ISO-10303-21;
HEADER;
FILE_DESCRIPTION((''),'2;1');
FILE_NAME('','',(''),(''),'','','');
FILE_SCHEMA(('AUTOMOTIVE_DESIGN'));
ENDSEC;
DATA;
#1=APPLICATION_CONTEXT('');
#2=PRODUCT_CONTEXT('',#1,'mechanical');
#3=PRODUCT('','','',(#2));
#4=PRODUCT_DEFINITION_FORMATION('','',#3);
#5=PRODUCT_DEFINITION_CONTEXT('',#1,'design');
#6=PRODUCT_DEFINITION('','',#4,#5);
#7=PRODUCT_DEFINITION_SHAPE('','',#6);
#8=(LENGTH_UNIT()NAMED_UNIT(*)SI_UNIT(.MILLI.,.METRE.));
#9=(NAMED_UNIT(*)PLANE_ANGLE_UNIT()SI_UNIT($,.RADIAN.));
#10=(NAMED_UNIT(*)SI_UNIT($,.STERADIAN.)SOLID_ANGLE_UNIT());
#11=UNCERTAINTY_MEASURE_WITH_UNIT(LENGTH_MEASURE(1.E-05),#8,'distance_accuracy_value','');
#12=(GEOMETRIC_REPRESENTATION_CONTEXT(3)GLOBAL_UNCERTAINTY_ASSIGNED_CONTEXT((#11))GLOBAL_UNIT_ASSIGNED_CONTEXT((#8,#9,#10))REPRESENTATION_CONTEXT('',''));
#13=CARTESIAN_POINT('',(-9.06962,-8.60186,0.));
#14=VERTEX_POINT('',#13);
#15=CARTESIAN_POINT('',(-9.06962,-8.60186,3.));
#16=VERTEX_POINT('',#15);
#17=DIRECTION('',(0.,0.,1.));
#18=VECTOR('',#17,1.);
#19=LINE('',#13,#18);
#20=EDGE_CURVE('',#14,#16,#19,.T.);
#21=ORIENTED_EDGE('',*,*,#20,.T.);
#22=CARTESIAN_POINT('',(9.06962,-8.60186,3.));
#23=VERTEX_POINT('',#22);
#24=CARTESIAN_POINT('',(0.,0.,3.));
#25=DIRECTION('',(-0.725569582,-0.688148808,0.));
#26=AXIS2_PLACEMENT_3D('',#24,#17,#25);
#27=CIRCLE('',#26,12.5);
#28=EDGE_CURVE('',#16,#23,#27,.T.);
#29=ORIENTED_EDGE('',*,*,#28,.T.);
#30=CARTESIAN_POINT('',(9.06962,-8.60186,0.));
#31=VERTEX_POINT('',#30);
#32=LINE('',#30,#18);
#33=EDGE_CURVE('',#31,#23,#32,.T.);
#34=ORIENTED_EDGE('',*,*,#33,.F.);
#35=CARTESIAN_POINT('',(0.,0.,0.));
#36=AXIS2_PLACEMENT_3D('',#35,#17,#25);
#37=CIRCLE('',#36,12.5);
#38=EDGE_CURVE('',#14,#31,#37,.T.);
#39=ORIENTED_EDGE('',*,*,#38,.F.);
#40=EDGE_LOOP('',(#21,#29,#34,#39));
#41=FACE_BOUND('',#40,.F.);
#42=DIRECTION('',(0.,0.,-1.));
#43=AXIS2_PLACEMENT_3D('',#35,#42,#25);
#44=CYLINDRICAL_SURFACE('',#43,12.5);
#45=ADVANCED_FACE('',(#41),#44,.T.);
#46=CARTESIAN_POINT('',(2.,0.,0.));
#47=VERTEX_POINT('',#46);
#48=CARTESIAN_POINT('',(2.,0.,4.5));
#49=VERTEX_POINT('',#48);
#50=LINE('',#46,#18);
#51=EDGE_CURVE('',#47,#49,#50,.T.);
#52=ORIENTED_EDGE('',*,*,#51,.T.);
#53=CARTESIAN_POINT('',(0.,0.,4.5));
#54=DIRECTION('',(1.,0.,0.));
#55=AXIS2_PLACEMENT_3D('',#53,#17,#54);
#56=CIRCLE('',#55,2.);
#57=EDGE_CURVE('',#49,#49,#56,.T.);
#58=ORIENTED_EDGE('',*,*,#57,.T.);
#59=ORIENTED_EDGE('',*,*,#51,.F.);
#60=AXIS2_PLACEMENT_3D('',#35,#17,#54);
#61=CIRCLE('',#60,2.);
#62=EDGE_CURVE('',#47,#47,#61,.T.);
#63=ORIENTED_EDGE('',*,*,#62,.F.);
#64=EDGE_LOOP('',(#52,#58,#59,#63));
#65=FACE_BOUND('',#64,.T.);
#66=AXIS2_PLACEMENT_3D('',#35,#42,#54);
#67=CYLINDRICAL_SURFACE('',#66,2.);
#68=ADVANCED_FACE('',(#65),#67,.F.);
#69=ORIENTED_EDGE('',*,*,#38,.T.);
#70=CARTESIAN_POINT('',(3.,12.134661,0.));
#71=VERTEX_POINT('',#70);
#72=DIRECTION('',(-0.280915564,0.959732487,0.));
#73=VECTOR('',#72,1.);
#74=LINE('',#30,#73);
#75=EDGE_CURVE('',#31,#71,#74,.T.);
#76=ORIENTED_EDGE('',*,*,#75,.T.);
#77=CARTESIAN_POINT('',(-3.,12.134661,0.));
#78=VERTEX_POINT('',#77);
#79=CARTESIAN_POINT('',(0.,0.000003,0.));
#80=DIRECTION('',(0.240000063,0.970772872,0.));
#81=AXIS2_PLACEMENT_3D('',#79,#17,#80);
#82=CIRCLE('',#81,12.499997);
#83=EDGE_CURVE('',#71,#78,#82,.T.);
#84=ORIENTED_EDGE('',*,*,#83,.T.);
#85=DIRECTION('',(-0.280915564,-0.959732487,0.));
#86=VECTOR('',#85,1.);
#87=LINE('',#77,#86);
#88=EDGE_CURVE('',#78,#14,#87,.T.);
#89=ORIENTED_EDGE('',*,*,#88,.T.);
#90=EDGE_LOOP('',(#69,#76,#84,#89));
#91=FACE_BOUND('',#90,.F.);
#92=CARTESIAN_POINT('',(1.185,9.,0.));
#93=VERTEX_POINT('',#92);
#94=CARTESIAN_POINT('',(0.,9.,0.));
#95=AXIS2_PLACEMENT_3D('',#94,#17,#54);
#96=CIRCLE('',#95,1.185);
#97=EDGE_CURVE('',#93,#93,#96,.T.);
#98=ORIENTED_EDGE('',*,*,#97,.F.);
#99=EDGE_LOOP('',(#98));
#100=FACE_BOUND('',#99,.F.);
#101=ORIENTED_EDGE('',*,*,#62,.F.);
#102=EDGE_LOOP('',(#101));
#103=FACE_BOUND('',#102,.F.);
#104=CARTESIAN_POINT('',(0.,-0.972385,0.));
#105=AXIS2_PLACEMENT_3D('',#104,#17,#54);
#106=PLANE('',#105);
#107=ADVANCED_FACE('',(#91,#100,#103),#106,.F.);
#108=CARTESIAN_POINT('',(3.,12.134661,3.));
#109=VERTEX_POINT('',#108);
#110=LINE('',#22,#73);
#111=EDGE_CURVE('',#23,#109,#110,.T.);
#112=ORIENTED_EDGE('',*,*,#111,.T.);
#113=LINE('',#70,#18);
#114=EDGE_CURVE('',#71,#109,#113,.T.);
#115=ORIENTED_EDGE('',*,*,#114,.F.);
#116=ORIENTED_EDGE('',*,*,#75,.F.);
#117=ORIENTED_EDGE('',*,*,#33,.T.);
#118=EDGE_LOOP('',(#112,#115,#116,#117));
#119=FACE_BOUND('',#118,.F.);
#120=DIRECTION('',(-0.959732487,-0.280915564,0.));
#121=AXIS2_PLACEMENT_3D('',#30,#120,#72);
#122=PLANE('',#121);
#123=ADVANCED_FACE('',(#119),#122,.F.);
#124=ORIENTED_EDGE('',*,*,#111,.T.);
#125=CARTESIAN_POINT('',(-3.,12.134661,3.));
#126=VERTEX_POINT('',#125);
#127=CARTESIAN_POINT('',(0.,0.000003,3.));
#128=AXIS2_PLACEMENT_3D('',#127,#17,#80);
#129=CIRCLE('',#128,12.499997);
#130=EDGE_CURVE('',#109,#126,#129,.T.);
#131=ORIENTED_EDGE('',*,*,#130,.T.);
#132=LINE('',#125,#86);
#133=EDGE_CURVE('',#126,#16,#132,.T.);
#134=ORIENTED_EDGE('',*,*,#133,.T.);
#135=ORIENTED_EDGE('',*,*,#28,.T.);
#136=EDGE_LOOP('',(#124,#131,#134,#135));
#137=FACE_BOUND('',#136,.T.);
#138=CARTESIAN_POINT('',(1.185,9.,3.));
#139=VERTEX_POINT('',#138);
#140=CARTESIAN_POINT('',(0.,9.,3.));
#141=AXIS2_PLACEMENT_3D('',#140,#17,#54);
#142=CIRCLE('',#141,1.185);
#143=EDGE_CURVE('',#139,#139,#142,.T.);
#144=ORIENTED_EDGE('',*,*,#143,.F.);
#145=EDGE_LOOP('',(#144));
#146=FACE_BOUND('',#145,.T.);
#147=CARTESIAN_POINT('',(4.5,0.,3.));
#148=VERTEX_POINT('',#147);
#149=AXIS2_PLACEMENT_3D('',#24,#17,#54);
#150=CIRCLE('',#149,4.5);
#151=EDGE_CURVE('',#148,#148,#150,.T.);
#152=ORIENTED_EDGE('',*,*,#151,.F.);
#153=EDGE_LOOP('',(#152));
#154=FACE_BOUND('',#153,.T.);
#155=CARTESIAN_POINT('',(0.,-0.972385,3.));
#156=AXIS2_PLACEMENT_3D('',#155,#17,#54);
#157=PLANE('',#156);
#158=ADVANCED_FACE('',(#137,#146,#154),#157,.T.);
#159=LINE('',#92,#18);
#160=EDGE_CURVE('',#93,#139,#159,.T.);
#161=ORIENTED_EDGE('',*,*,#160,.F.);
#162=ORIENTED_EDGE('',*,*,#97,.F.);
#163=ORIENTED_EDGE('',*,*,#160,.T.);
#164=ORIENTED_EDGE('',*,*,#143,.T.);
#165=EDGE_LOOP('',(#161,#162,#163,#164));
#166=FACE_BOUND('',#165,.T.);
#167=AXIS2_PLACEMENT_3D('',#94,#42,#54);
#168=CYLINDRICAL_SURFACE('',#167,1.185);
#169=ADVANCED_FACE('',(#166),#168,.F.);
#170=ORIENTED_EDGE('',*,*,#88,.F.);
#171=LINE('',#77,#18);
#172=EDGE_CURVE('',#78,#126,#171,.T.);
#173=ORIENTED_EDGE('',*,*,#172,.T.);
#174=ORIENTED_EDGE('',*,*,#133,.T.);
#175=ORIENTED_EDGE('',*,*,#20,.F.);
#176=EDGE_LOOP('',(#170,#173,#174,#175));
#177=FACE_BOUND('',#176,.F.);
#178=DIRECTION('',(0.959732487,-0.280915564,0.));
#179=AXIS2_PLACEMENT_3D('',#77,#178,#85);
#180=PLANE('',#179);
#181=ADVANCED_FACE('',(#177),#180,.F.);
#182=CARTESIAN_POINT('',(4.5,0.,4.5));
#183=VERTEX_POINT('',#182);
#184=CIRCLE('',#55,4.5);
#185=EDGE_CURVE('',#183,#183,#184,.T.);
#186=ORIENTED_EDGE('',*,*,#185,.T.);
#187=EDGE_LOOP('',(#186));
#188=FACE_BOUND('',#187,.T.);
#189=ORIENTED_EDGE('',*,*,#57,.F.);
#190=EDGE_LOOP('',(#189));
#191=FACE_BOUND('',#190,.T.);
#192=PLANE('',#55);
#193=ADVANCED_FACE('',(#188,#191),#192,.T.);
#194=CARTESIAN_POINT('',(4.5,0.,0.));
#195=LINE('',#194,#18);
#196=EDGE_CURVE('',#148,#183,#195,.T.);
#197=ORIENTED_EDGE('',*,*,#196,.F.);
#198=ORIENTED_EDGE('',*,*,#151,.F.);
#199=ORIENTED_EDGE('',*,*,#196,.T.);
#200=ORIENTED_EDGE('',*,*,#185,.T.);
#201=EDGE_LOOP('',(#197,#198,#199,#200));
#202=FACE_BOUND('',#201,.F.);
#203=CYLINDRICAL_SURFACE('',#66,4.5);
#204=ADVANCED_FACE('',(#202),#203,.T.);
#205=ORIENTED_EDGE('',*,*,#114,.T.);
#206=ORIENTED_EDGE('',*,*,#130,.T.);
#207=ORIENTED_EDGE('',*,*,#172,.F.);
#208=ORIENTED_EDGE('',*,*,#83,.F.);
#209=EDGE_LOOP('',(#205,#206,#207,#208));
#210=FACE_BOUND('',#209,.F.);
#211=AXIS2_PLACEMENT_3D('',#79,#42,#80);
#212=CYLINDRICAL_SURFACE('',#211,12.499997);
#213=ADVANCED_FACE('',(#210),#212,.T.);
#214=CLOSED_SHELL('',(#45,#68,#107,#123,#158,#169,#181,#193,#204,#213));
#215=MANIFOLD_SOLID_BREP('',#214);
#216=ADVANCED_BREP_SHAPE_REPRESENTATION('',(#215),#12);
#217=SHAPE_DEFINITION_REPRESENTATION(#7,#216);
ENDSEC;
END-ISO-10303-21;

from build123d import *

# Parameters (mm, degrees)
F0_R     = 4.5
F0_R_2   = 1.185
F1_DEPTH = 3
F0_R_3   = 2
F2_DEPTH = 4.5


with BuildPart() as f1:
    # F0 (on Top) → F1 (new body)
    with BuildSketch(Plane.XY):
        with BuildLine():
            Line((-3, 12.134661), (-9.06962, -8.60186))
            ThreePointArc((-9.06962, -8.60186), (0, -12.5), (9.06962, -8.60186))
            Line((9.06962, -8.60186), (3, 12.134661))
            ThreePointArc((3, 12.134661), (0, 12.5), (-3, 12.134661))
        make_face()
        Circle(F0_R, mode=Mode.SUBTRACT)
        with Locations((0, 9)):
            Circle(F0_R_2, mode=Mode.SUBTRACT)
    extrude(amount=F1_DEPTH)

    # F0 (on Top) → F2 (join)
    with BuildSketch(Plane.XY):
        Circle(F0_R)
        Circle(F0_R_3, mode=Mode.SUBTRACT)
    extrude(amount=F2_DEPTH)


solid = f1.part
